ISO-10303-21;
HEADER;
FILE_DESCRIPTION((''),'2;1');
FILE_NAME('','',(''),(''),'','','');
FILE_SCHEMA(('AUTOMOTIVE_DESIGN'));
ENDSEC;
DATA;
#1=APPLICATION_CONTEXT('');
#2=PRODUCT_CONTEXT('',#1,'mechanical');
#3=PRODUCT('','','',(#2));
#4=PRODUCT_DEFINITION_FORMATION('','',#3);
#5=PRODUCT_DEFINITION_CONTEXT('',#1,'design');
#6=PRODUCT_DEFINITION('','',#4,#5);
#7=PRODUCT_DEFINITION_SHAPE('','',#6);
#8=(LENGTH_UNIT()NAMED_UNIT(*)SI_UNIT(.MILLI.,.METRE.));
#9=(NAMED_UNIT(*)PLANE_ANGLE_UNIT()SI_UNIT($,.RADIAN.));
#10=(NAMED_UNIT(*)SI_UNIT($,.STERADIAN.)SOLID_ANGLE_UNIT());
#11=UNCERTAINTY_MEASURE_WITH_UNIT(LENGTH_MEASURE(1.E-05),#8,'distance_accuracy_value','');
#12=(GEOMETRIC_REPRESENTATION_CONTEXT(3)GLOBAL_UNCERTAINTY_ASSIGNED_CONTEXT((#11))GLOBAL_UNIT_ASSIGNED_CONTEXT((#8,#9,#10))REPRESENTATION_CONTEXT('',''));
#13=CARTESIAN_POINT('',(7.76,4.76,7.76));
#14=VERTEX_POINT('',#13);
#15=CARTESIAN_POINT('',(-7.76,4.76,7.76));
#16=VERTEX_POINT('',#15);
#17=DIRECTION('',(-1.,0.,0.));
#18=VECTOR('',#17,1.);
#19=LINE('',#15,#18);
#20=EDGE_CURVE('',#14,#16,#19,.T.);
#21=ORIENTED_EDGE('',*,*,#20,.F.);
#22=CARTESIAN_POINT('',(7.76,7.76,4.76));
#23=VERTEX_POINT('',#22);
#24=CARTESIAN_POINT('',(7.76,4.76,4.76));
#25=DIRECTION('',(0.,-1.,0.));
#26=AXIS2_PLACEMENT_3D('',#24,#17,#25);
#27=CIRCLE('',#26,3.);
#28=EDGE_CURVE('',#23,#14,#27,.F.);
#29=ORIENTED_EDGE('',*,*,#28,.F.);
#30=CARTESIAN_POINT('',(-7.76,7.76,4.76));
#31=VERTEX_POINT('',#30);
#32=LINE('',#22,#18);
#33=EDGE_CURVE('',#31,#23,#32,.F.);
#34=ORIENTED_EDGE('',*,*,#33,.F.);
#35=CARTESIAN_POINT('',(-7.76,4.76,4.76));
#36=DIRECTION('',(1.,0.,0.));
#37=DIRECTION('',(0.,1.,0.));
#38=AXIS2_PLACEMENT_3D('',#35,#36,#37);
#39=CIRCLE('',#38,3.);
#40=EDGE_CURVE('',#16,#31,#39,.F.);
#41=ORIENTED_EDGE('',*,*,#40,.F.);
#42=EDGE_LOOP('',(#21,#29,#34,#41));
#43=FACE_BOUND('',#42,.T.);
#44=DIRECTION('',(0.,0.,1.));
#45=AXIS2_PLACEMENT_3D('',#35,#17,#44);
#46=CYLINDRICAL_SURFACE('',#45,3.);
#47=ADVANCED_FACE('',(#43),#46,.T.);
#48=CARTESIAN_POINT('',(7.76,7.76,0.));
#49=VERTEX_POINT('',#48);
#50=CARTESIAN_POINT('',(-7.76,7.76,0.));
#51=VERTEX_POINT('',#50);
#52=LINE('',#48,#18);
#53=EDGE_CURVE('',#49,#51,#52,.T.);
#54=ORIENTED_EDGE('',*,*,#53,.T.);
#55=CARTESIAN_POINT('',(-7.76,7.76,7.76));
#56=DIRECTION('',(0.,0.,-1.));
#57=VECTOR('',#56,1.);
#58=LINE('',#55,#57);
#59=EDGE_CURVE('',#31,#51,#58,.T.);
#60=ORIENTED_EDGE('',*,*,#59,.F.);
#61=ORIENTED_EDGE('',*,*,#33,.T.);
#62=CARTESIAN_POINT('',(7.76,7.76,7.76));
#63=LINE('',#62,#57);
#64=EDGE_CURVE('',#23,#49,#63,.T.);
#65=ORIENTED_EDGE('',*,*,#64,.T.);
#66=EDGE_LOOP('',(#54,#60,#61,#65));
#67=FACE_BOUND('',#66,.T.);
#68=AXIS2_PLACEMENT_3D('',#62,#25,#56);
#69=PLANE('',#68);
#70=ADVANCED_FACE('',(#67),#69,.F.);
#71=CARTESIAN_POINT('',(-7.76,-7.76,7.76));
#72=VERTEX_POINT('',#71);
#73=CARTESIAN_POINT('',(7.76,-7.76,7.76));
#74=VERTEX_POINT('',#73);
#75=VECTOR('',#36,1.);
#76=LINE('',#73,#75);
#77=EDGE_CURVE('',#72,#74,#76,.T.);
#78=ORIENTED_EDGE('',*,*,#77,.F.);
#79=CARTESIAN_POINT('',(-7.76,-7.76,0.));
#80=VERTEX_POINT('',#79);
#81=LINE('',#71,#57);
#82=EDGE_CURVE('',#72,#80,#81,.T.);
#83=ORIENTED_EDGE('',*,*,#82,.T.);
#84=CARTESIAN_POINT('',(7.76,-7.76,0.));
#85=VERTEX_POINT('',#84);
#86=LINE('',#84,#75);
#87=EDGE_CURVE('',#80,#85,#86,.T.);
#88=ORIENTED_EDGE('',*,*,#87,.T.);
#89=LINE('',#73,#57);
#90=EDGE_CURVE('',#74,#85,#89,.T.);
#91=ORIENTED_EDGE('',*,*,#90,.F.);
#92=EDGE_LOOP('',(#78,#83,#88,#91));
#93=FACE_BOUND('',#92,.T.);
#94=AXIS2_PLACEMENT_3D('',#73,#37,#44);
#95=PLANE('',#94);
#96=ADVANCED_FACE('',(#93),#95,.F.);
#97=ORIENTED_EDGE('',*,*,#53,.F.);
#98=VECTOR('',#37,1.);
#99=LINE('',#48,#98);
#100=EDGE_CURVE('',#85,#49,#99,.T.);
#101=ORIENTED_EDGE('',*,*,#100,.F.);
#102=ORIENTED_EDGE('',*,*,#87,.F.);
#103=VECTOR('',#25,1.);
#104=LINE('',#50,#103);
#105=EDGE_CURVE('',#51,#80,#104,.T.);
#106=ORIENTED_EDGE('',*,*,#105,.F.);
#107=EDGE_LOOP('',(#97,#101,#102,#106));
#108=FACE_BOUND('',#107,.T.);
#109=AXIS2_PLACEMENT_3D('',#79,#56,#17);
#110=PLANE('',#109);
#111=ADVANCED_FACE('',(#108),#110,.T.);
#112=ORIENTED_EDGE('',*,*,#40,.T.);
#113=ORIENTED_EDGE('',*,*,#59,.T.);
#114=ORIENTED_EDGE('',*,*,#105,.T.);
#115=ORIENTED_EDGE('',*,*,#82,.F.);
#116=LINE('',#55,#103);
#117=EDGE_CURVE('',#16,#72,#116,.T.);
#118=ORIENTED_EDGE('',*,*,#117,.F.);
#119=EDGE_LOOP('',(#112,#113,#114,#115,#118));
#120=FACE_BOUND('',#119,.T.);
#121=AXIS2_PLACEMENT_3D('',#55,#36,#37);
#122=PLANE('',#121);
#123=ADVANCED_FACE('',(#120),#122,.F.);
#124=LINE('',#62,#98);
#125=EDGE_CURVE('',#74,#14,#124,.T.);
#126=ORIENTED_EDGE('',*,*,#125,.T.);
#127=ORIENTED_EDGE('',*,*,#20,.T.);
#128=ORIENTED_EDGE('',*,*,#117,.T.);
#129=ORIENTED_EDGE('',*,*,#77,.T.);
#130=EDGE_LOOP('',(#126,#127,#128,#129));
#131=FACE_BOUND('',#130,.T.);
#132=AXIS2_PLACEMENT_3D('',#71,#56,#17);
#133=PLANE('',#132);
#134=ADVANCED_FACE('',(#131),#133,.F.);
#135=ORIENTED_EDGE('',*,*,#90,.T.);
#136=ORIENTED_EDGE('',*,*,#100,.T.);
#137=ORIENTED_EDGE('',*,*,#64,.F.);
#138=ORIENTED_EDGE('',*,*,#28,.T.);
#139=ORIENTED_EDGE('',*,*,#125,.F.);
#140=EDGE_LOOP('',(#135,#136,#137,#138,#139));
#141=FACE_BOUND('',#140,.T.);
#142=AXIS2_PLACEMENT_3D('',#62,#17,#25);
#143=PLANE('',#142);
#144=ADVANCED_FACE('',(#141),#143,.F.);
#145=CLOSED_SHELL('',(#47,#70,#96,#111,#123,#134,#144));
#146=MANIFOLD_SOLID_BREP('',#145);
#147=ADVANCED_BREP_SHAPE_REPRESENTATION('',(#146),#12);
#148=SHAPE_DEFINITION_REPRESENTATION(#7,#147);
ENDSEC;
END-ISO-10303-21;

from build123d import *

# Parameters (mm, degrees)
ESQUISSE1_W        = 15.52
ESQUISSE1_H        = 15.52
BOSS_EXTRU_1_DEPTH = 7.76
CONG_1_R           = 3


with BuildPart() as part:
    # Esquisse1 → Boss.-Extru.1 (new body)
    with BuildSketch(Plane.XY):
        Rectangle(ESQUISSE1_W, ESQUISSE1_H)
    extrude(amount=BOSS_EXTRU_1_DEPTH)

    # Congé1
    cong_1_edges = [part.edges().sort_by_distance(p)[0] for p in [
        (0, 7.76, 7.76),
    ]]
    fillet(cong_1_edges, radius=CONG_1_R)


solid = part.part
